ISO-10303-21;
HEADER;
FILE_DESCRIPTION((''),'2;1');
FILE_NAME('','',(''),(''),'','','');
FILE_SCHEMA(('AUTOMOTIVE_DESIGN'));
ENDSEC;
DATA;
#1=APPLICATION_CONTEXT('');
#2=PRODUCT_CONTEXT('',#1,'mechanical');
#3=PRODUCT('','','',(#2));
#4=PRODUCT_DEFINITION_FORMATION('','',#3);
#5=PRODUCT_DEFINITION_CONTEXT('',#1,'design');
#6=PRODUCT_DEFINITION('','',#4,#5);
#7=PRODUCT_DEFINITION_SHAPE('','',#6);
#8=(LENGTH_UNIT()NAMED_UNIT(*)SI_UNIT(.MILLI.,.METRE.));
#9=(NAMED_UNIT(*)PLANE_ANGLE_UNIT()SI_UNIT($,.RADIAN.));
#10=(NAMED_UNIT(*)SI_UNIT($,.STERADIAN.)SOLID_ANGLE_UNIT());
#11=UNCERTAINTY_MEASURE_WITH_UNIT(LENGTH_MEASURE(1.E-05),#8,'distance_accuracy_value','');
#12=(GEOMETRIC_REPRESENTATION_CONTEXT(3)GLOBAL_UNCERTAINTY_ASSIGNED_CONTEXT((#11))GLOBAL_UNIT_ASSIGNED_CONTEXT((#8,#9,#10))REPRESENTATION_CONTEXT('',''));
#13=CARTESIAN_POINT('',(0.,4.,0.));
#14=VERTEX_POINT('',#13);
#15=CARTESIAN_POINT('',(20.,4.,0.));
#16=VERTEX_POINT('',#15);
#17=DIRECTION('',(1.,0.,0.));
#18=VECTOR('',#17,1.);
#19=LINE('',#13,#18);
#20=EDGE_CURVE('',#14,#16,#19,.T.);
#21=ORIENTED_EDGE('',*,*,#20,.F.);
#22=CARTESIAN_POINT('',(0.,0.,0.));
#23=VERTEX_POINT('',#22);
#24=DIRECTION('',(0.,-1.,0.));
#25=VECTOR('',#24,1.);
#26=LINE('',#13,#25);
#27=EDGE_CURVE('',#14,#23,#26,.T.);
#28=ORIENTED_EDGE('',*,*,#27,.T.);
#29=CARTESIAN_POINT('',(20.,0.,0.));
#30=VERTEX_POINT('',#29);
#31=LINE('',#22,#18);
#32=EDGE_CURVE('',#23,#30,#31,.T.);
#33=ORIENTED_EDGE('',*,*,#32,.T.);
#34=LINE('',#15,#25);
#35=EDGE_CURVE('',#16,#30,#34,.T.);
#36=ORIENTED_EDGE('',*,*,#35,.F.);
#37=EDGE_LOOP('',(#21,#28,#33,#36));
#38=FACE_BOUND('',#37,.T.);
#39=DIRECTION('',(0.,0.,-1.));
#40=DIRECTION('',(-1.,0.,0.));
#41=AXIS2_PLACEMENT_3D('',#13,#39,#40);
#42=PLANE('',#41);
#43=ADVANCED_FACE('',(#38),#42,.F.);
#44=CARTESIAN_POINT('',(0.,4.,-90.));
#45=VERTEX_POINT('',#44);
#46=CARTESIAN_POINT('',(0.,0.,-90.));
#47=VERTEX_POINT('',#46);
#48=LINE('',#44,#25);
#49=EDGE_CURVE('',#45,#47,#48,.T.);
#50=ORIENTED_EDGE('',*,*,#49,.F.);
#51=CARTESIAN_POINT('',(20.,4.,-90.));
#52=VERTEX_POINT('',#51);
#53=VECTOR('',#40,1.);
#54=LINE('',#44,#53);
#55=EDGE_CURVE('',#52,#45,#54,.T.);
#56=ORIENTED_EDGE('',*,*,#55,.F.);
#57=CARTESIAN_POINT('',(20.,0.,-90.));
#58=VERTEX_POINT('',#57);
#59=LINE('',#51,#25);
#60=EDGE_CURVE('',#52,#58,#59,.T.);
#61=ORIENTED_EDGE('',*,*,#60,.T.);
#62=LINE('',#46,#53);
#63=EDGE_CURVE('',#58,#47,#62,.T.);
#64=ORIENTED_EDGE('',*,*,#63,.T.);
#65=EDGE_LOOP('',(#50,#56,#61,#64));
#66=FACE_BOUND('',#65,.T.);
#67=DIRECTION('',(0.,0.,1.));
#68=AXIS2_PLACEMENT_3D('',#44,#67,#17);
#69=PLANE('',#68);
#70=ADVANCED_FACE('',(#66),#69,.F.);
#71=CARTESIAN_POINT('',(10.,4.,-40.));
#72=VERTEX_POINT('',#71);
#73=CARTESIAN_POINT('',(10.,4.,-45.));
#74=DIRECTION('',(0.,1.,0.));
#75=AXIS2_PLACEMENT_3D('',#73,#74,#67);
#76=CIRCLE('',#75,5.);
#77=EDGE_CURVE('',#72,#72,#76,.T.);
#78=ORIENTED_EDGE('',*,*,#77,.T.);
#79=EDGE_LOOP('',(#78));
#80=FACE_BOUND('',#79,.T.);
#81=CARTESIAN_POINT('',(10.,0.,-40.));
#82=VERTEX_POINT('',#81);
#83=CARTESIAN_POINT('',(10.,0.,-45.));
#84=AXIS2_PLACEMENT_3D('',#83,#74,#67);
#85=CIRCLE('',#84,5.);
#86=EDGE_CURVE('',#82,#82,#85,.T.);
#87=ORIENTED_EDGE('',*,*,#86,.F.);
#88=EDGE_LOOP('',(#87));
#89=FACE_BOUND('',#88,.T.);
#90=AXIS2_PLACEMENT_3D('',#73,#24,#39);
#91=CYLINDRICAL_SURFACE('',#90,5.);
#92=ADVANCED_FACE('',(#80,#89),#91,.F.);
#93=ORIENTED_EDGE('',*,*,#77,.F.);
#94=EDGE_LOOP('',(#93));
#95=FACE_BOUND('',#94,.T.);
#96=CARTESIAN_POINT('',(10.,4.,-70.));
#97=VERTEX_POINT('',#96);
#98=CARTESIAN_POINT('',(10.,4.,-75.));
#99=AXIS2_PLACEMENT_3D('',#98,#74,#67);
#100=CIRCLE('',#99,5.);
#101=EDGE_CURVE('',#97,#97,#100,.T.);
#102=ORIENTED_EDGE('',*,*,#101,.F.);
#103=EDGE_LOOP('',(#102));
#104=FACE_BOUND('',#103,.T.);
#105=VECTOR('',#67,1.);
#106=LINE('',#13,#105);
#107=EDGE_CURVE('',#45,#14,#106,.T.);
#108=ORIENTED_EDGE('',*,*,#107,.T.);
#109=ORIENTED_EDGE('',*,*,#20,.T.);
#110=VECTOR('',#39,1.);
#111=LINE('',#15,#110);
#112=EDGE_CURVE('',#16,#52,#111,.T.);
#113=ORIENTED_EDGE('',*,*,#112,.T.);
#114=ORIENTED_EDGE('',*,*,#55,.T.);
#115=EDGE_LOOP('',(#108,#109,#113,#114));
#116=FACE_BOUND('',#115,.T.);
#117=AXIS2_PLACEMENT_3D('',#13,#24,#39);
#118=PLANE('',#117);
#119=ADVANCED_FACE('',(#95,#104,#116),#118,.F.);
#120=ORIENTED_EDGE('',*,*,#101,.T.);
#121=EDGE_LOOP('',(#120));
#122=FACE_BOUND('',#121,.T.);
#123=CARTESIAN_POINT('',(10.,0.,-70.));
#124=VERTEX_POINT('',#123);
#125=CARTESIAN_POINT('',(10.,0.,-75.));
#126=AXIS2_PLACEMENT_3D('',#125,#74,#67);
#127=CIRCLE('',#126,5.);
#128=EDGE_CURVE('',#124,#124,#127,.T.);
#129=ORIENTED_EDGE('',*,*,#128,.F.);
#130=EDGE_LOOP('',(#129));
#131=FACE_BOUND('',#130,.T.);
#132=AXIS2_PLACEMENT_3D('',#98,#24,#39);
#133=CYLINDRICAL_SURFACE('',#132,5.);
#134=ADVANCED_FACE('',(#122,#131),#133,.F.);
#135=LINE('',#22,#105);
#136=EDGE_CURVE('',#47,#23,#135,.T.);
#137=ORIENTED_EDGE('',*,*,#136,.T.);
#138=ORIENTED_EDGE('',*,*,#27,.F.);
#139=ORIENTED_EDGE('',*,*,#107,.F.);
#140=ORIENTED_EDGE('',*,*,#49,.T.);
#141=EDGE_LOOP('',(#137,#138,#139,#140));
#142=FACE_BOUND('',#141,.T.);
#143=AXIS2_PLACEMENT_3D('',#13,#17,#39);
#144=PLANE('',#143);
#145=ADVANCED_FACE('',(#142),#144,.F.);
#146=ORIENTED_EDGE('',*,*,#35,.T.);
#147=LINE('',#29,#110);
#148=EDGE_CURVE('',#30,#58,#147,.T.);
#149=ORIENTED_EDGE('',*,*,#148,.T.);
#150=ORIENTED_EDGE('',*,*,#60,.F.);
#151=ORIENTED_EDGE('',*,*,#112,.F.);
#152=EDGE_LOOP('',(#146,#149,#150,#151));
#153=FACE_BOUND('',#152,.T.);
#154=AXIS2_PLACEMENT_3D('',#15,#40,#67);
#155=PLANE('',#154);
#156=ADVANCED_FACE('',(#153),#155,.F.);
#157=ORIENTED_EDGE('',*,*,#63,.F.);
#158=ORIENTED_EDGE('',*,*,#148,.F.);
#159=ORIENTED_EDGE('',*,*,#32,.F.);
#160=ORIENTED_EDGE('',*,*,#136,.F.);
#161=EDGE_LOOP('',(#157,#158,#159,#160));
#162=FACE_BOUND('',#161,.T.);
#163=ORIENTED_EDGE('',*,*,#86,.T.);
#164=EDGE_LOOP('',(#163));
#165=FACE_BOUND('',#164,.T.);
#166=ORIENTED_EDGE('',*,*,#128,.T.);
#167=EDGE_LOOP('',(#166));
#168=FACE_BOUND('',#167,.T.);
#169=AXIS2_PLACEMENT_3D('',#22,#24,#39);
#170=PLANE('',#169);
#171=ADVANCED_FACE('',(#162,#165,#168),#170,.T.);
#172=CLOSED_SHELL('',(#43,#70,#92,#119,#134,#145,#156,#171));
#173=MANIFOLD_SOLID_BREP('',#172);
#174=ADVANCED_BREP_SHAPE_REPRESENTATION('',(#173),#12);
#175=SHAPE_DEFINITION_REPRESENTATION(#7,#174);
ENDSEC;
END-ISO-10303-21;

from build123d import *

# Parameters (mm, degrees)
SKETCH_1_W      = 20
SKETCH_1_H      = 90
SKETCH_1_R      = 5
EXTRUDE_1_DEPTH = 4


with BuildPart() as part:
    # Эскиз1 → Бобышка-Вытянуть1 (new body)
    with BuildSketch(Plane(origin=(0, 0, 0), x_dir=(1, 0, 0), z_dir=(0, 1, 0))):
        with Locations((10, 45)):
            Rectangle(SKETCH_1_W, SKETCH_1_H)
        with Locations((10, 45)):
            Circle(SKETCH_1_R, mode=Mode.SUBTRACT)
        with Locations((10, 75)):
            Circle(SKETCH_1_R, mode=Mode.SUBTRACT)
    extrude(amount=EXTRUDE_1_DEPTH)


solid = part.part
